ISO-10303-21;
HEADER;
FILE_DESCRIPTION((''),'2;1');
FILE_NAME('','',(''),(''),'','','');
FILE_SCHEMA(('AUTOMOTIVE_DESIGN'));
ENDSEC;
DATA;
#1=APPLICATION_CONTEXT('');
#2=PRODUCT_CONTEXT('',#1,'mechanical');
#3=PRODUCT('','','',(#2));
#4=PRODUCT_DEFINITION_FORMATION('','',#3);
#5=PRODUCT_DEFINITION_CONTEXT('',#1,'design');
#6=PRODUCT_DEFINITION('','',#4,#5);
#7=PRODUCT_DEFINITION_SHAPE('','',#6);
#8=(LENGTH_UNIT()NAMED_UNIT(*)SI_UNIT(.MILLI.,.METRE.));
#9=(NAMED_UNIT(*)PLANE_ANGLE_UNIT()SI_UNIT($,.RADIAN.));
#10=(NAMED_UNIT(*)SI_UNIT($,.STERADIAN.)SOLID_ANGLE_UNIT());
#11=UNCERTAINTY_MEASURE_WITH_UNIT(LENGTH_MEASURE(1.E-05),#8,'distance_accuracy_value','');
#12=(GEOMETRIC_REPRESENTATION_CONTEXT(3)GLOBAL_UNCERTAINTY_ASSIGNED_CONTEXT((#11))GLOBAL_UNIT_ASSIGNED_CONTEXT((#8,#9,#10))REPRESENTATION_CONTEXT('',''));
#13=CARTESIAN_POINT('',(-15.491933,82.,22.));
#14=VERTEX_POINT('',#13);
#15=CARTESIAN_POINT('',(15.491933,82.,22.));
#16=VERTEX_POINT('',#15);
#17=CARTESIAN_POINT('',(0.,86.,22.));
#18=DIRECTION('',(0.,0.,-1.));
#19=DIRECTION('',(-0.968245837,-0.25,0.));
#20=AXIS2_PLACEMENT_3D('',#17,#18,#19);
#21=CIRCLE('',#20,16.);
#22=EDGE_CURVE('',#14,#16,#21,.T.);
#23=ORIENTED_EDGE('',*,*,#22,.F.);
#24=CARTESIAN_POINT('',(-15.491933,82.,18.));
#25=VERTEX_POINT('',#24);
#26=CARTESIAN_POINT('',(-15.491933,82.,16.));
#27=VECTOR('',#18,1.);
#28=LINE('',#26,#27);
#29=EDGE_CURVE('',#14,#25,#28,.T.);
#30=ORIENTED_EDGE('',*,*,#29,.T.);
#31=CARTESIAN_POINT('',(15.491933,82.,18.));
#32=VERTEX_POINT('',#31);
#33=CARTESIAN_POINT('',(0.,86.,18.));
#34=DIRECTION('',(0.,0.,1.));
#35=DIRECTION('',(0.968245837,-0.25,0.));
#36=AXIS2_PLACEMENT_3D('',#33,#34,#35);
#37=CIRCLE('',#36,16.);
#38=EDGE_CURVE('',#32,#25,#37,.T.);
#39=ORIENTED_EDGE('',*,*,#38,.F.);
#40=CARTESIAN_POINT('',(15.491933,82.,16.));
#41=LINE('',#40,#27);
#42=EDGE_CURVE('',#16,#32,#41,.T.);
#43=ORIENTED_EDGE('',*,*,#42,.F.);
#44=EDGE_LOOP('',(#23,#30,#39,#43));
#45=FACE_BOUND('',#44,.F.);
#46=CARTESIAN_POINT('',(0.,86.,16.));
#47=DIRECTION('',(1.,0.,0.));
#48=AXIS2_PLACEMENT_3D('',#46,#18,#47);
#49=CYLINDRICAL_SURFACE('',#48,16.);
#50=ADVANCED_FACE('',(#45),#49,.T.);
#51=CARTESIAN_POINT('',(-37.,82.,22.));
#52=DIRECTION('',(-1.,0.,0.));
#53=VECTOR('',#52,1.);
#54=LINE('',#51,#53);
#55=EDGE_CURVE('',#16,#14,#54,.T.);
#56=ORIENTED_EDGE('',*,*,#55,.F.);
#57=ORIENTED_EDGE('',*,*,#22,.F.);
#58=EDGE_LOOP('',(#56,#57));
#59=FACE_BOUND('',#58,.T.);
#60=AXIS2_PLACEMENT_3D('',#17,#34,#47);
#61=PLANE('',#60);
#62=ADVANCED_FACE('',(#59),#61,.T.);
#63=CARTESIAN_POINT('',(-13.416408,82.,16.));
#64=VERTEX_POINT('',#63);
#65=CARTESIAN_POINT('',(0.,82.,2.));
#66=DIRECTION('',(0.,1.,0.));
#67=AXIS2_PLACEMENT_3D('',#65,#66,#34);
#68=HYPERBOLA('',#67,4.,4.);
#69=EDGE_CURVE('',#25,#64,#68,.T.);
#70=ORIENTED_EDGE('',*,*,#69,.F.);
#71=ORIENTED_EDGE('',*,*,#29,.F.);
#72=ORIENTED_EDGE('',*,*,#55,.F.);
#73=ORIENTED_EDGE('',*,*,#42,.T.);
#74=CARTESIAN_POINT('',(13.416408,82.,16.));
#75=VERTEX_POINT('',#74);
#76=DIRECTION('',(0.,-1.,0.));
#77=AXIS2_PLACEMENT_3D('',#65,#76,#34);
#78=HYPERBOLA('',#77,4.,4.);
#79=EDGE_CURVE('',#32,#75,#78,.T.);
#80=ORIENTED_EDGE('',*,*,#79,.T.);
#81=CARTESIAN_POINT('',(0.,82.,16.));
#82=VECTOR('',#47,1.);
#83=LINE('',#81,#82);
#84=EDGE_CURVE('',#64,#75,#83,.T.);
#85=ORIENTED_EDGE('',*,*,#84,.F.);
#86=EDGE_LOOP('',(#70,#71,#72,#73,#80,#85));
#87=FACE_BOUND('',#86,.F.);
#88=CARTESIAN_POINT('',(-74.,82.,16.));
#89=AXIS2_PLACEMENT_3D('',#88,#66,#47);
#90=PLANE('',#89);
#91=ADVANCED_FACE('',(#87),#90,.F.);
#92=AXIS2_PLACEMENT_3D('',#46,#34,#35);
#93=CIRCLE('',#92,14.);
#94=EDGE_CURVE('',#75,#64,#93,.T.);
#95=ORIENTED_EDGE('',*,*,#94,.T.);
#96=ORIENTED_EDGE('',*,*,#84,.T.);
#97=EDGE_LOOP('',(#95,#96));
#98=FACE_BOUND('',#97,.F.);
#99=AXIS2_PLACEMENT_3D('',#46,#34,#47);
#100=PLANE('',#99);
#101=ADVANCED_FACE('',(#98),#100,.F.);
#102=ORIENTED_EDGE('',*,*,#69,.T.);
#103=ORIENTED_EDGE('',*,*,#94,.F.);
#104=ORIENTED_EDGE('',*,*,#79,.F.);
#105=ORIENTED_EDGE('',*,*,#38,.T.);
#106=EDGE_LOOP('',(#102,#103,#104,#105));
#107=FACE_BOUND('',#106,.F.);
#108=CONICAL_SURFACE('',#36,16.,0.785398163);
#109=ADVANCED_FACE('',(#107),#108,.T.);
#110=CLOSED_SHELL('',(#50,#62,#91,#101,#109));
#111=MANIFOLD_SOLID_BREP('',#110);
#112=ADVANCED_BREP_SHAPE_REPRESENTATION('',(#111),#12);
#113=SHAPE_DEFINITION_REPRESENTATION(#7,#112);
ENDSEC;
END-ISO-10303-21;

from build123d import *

# Parameters (mm, degrees)
BOX991_W           = 148
BOX991_H           = 40
BOX991_DEPTH       = 40
CYLINDER2098_R     = 16
CYLINDER2098_DEPTH = 6
CHAMFER080_SIZE    = 2


with BuildPart() as krychle991:
    # Box991 → Box991 (new body)
    with BuildSketch(Plane(origin=(-74, 42, 16), x_dir=(1, 0, 0), z_dir=(0, 0, 1))):
        with Locations((74, 20)):
            Rectangle(BOX991_W, BOX991_H)
    extrude(amount=BOX991_DEPTH)


with BuildPart() as chamfer080:
    # Cylinder2098 → Cylinder2098 (new body)
    with BuildSketch(Plane(origin=(0, 86, 16), x_dir=(1, 0, 0), z_dir=(0, 0, 1))):
        Circle(CYLINDER2098_R)
    extrude(amount=CYLINDER2098_DEPTH)

    # Cut691: cut Krychle991
    add(krychle991.part, mode=Mode.SUBTRACT)

    # Chamfer080
    chamfer080_edges = [chamfer080.edges().sort_by_distance(p)[0] for p in [
        (-2.016069, 101.872475, 16),
    ]]
    chamfer(chamfer080_edges, length=CHAMFER080_SIZE)


solid = chamfer080.part
